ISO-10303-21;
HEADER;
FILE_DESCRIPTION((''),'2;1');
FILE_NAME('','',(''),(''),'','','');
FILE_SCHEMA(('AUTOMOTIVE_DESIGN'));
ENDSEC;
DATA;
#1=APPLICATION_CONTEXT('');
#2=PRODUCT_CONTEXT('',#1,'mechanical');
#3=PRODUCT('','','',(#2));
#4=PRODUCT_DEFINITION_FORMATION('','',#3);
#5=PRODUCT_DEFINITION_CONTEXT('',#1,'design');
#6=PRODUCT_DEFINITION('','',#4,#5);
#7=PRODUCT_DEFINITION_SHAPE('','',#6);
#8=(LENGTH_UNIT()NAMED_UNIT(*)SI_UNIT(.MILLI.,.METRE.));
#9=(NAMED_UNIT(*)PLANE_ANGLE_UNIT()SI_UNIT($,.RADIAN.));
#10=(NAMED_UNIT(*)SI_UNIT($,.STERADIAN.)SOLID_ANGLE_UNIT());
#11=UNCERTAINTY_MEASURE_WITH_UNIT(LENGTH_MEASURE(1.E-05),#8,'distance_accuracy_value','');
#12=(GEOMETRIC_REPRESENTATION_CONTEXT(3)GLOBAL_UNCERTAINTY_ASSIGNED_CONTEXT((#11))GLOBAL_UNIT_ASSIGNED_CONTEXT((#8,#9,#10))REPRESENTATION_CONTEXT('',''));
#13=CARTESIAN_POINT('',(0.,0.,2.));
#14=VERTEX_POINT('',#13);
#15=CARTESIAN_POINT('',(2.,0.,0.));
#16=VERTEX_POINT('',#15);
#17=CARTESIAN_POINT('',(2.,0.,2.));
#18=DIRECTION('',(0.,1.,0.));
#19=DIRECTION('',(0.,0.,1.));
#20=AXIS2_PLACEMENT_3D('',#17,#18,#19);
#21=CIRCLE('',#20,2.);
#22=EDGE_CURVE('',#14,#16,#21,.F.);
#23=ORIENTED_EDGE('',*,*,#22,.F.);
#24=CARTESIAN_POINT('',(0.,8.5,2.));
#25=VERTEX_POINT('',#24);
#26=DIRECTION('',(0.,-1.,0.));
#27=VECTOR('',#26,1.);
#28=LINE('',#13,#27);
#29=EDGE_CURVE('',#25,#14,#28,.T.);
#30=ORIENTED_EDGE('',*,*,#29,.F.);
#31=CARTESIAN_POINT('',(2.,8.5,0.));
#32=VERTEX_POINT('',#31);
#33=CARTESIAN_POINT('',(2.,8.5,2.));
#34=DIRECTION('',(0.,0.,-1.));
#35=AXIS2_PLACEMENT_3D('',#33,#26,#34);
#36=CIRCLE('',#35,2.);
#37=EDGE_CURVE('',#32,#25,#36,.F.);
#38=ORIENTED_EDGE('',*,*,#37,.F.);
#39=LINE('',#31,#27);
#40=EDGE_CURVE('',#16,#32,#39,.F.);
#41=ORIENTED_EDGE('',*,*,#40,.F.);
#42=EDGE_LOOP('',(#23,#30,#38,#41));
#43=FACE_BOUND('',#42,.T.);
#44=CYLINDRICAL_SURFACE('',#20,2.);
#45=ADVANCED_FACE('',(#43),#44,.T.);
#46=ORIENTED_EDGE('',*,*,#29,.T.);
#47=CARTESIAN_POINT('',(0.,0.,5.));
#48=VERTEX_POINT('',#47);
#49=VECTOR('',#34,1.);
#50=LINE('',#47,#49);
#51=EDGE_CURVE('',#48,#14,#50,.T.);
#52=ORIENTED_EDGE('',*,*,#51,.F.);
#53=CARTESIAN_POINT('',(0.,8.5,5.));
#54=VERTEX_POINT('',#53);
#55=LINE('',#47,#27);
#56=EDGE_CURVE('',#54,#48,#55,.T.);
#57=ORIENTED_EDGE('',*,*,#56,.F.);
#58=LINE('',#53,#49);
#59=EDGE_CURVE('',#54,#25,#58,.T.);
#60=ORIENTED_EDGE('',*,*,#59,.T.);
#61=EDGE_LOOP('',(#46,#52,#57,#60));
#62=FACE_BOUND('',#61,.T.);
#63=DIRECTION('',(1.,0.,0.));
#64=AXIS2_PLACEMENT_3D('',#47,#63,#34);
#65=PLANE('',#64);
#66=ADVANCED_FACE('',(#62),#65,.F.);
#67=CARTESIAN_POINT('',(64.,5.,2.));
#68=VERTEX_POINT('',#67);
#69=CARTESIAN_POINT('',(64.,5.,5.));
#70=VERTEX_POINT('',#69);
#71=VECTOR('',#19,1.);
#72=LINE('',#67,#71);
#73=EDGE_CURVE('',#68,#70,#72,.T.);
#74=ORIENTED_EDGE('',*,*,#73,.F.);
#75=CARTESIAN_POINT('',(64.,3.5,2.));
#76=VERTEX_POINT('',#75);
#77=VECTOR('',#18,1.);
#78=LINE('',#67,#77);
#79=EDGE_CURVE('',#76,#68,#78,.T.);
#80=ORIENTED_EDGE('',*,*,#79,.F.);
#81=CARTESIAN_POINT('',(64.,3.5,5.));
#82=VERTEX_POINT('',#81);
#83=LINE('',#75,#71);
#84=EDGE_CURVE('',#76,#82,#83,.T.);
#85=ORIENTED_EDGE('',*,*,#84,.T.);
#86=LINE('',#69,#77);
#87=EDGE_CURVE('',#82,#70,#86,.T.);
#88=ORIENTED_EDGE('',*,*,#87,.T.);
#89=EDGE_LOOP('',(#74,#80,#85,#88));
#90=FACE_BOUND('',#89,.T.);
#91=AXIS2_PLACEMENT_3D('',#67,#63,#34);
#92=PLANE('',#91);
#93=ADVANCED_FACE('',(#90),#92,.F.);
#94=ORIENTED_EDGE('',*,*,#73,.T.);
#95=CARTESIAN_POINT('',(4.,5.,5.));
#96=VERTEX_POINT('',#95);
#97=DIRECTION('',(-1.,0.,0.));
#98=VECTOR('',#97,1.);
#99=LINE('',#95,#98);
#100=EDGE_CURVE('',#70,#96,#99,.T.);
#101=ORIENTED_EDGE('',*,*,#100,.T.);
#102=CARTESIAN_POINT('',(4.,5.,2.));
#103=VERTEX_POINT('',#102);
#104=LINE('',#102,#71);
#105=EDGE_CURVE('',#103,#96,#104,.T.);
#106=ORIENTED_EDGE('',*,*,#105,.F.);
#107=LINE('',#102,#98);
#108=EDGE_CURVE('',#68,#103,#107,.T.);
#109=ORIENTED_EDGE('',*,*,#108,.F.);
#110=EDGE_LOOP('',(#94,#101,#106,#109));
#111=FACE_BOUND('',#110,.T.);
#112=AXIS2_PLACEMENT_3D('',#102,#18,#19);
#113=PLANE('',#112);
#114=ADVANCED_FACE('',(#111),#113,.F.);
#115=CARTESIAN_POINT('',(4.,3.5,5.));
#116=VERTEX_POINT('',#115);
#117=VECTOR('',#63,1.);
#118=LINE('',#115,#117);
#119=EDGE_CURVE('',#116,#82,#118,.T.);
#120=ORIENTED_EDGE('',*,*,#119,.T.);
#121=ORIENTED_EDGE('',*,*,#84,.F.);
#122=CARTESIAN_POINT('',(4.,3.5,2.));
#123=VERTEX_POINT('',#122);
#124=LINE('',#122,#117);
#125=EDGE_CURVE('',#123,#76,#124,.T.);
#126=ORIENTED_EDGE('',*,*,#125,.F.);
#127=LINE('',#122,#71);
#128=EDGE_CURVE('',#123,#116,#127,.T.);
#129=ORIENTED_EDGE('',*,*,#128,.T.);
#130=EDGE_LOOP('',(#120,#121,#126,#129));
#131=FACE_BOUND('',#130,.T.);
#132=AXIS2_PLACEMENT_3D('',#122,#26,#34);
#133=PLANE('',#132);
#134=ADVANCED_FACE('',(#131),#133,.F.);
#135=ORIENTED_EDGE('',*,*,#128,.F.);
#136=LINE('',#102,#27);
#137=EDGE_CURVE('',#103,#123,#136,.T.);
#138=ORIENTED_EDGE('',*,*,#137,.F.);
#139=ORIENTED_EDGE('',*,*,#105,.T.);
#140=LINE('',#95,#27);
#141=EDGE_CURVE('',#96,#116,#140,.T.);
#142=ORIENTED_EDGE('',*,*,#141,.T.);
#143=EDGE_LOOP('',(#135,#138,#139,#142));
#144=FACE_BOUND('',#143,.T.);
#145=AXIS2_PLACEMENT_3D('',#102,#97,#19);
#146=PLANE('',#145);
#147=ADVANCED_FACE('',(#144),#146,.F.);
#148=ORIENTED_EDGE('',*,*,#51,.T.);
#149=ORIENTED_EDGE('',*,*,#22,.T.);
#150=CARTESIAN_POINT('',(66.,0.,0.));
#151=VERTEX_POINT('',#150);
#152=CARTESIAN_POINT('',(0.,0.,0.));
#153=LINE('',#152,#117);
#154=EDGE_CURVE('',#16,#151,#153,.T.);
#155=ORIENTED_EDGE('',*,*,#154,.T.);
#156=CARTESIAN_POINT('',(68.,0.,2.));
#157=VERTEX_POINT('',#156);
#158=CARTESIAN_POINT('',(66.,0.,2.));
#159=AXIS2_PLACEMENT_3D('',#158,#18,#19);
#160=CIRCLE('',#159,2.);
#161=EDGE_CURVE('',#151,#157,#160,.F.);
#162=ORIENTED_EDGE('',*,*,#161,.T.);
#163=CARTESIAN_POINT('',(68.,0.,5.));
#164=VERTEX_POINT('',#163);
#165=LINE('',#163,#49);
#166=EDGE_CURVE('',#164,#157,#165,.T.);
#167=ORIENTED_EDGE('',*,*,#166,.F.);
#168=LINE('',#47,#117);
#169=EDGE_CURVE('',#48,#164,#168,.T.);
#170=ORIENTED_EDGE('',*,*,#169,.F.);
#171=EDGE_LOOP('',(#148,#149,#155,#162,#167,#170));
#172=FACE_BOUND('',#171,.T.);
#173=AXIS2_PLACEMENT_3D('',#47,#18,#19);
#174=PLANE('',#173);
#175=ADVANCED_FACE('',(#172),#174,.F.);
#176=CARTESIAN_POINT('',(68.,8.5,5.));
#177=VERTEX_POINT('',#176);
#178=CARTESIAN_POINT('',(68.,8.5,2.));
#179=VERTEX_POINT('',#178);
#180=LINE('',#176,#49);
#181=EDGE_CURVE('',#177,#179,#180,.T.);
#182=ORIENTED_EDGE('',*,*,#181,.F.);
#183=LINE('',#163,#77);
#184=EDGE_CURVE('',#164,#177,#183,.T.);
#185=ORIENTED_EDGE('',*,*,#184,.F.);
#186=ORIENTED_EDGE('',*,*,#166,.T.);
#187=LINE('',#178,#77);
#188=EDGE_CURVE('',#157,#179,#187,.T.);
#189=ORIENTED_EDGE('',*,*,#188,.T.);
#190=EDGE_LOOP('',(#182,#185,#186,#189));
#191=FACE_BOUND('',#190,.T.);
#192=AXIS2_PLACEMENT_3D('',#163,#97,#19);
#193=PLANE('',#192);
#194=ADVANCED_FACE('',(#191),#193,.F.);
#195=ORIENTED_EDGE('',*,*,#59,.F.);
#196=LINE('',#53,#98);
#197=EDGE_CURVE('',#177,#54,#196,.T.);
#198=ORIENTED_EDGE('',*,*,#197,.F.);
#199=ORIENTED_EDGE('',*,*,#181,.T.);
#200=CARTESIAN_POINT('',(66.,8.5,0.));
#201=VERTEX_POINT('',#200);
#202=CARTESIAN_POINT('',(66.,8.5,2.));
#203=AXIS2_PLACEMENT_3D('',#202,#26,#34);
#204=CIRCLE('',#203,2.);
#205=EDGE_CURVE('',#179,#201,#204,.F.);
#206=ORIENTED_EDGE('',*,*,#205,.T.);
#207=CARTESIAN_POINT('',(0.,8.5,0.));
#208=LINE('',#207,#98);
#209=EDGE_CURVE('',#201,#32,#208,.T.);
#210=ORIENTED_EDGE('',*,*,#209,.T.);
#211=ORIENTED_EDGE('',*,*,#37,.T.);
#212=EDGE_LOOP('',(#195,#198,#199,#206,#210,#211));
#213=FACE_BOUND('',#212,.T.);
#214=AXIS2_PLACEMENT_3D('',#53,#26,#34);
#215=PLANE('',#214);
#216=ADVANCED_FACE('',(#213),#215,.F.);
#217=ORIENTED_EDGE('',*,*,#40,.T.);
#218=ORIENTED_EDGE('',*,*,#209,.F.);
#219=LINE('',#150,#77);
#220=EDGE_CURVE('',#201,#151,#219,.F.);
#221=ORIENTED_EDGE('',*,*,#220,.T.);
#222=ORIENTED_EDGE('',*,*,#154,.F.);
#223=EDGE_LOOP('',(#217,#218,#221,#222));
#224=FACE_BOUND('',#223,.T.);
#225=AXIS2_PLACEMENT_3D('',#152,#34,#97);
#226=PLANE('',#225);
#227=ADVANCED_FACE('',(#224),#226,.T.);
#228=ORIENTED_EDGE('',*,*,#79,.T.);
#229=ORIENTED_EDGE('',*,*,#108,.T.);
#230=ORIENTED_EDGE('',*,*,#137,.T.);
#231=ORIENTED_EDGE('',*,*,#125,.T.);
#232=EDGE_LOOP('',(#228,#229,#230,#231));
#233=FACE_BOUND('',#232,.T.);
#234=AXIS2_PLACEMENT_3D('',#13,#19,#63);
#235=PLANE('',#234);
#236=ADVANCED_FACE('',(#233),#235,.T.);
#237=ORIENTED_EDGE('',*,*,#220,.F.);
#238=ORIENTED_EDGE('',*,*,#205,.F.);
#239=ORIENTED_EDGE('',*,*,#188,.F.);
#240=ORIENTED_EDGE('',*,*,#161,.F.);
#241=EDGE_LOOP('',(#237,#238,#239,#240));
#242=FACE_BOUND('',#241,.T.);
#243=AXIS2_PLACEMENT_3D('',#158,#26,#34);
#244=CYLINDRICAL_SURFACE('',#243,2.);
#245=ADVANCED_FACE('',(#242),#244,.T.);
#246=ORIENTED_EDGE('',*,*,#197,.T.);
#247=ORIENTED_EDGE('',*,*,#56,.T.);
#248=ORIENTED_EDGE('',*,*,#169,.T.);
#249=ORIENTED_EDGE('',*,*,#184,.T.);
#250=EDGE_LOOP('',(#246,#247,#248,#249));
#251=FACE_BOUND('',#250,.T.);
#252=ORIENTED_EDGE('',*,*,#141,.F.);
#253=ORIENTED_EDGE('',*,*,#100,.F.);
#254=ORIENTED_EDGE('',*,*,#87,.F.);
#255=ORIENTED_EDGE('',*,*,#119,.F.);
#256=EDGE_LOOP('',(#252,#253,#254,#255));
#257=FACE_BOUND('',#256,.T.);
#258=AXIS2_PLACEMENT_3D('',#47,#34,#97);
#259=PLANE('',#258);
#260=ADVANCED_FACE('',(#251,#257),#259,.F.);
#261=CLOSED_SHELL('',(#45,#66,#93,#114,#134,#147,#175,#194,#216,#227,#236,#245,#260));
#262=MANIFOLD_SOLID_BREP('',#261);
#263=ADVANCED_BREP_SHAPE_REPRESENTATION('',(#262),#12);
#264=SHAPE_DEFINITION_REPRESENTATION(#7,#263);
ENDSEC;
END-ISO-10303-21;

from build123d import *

# Parameters (mm, degrees)
SKETCH1_W           = 68
SKETCH1_H           = 8.5
BOSS_EXTRUDE1_DEPTH = 5
SKETCH2_W           = 60
SKETCH2_H           = 1.5
CUT_EXTRUDE1_DEPTH  = 3
FILLET1_R           = 2


with BuildPart() as part:
    # Sketch1 → Boss-Extrude1 (new body)
    with BuildSketch(Plane.XY):
        with Locations((34, 4.25)):
            Rectangle(SKETCH1_W, SKETCH1_H)
    extrude(amount=BOSS_EXTRUDE1_DEPTH)

    # Sketch2 → Cut-Extrude1 (cut)
    with BuildSketch(Plane.XY.offset(5)):
        with Locations((34, 4.25)):
            Rectangle(SKETCH2_W, SKETCH2_H)
    extrude(amount=-CUT_EXTRUDE1_DEPTH, mode=Mode.SUBTRACT)

    # Fillet1
    fillet1_edges = [part.edges().sort_by_distance(p)[0] for p in [
        (68, 4.25, 0),
        (0, 4.25, 0),
    ]]
    fillet(fillet1_edges, radius=FILLET1_R)


solid = part.part
